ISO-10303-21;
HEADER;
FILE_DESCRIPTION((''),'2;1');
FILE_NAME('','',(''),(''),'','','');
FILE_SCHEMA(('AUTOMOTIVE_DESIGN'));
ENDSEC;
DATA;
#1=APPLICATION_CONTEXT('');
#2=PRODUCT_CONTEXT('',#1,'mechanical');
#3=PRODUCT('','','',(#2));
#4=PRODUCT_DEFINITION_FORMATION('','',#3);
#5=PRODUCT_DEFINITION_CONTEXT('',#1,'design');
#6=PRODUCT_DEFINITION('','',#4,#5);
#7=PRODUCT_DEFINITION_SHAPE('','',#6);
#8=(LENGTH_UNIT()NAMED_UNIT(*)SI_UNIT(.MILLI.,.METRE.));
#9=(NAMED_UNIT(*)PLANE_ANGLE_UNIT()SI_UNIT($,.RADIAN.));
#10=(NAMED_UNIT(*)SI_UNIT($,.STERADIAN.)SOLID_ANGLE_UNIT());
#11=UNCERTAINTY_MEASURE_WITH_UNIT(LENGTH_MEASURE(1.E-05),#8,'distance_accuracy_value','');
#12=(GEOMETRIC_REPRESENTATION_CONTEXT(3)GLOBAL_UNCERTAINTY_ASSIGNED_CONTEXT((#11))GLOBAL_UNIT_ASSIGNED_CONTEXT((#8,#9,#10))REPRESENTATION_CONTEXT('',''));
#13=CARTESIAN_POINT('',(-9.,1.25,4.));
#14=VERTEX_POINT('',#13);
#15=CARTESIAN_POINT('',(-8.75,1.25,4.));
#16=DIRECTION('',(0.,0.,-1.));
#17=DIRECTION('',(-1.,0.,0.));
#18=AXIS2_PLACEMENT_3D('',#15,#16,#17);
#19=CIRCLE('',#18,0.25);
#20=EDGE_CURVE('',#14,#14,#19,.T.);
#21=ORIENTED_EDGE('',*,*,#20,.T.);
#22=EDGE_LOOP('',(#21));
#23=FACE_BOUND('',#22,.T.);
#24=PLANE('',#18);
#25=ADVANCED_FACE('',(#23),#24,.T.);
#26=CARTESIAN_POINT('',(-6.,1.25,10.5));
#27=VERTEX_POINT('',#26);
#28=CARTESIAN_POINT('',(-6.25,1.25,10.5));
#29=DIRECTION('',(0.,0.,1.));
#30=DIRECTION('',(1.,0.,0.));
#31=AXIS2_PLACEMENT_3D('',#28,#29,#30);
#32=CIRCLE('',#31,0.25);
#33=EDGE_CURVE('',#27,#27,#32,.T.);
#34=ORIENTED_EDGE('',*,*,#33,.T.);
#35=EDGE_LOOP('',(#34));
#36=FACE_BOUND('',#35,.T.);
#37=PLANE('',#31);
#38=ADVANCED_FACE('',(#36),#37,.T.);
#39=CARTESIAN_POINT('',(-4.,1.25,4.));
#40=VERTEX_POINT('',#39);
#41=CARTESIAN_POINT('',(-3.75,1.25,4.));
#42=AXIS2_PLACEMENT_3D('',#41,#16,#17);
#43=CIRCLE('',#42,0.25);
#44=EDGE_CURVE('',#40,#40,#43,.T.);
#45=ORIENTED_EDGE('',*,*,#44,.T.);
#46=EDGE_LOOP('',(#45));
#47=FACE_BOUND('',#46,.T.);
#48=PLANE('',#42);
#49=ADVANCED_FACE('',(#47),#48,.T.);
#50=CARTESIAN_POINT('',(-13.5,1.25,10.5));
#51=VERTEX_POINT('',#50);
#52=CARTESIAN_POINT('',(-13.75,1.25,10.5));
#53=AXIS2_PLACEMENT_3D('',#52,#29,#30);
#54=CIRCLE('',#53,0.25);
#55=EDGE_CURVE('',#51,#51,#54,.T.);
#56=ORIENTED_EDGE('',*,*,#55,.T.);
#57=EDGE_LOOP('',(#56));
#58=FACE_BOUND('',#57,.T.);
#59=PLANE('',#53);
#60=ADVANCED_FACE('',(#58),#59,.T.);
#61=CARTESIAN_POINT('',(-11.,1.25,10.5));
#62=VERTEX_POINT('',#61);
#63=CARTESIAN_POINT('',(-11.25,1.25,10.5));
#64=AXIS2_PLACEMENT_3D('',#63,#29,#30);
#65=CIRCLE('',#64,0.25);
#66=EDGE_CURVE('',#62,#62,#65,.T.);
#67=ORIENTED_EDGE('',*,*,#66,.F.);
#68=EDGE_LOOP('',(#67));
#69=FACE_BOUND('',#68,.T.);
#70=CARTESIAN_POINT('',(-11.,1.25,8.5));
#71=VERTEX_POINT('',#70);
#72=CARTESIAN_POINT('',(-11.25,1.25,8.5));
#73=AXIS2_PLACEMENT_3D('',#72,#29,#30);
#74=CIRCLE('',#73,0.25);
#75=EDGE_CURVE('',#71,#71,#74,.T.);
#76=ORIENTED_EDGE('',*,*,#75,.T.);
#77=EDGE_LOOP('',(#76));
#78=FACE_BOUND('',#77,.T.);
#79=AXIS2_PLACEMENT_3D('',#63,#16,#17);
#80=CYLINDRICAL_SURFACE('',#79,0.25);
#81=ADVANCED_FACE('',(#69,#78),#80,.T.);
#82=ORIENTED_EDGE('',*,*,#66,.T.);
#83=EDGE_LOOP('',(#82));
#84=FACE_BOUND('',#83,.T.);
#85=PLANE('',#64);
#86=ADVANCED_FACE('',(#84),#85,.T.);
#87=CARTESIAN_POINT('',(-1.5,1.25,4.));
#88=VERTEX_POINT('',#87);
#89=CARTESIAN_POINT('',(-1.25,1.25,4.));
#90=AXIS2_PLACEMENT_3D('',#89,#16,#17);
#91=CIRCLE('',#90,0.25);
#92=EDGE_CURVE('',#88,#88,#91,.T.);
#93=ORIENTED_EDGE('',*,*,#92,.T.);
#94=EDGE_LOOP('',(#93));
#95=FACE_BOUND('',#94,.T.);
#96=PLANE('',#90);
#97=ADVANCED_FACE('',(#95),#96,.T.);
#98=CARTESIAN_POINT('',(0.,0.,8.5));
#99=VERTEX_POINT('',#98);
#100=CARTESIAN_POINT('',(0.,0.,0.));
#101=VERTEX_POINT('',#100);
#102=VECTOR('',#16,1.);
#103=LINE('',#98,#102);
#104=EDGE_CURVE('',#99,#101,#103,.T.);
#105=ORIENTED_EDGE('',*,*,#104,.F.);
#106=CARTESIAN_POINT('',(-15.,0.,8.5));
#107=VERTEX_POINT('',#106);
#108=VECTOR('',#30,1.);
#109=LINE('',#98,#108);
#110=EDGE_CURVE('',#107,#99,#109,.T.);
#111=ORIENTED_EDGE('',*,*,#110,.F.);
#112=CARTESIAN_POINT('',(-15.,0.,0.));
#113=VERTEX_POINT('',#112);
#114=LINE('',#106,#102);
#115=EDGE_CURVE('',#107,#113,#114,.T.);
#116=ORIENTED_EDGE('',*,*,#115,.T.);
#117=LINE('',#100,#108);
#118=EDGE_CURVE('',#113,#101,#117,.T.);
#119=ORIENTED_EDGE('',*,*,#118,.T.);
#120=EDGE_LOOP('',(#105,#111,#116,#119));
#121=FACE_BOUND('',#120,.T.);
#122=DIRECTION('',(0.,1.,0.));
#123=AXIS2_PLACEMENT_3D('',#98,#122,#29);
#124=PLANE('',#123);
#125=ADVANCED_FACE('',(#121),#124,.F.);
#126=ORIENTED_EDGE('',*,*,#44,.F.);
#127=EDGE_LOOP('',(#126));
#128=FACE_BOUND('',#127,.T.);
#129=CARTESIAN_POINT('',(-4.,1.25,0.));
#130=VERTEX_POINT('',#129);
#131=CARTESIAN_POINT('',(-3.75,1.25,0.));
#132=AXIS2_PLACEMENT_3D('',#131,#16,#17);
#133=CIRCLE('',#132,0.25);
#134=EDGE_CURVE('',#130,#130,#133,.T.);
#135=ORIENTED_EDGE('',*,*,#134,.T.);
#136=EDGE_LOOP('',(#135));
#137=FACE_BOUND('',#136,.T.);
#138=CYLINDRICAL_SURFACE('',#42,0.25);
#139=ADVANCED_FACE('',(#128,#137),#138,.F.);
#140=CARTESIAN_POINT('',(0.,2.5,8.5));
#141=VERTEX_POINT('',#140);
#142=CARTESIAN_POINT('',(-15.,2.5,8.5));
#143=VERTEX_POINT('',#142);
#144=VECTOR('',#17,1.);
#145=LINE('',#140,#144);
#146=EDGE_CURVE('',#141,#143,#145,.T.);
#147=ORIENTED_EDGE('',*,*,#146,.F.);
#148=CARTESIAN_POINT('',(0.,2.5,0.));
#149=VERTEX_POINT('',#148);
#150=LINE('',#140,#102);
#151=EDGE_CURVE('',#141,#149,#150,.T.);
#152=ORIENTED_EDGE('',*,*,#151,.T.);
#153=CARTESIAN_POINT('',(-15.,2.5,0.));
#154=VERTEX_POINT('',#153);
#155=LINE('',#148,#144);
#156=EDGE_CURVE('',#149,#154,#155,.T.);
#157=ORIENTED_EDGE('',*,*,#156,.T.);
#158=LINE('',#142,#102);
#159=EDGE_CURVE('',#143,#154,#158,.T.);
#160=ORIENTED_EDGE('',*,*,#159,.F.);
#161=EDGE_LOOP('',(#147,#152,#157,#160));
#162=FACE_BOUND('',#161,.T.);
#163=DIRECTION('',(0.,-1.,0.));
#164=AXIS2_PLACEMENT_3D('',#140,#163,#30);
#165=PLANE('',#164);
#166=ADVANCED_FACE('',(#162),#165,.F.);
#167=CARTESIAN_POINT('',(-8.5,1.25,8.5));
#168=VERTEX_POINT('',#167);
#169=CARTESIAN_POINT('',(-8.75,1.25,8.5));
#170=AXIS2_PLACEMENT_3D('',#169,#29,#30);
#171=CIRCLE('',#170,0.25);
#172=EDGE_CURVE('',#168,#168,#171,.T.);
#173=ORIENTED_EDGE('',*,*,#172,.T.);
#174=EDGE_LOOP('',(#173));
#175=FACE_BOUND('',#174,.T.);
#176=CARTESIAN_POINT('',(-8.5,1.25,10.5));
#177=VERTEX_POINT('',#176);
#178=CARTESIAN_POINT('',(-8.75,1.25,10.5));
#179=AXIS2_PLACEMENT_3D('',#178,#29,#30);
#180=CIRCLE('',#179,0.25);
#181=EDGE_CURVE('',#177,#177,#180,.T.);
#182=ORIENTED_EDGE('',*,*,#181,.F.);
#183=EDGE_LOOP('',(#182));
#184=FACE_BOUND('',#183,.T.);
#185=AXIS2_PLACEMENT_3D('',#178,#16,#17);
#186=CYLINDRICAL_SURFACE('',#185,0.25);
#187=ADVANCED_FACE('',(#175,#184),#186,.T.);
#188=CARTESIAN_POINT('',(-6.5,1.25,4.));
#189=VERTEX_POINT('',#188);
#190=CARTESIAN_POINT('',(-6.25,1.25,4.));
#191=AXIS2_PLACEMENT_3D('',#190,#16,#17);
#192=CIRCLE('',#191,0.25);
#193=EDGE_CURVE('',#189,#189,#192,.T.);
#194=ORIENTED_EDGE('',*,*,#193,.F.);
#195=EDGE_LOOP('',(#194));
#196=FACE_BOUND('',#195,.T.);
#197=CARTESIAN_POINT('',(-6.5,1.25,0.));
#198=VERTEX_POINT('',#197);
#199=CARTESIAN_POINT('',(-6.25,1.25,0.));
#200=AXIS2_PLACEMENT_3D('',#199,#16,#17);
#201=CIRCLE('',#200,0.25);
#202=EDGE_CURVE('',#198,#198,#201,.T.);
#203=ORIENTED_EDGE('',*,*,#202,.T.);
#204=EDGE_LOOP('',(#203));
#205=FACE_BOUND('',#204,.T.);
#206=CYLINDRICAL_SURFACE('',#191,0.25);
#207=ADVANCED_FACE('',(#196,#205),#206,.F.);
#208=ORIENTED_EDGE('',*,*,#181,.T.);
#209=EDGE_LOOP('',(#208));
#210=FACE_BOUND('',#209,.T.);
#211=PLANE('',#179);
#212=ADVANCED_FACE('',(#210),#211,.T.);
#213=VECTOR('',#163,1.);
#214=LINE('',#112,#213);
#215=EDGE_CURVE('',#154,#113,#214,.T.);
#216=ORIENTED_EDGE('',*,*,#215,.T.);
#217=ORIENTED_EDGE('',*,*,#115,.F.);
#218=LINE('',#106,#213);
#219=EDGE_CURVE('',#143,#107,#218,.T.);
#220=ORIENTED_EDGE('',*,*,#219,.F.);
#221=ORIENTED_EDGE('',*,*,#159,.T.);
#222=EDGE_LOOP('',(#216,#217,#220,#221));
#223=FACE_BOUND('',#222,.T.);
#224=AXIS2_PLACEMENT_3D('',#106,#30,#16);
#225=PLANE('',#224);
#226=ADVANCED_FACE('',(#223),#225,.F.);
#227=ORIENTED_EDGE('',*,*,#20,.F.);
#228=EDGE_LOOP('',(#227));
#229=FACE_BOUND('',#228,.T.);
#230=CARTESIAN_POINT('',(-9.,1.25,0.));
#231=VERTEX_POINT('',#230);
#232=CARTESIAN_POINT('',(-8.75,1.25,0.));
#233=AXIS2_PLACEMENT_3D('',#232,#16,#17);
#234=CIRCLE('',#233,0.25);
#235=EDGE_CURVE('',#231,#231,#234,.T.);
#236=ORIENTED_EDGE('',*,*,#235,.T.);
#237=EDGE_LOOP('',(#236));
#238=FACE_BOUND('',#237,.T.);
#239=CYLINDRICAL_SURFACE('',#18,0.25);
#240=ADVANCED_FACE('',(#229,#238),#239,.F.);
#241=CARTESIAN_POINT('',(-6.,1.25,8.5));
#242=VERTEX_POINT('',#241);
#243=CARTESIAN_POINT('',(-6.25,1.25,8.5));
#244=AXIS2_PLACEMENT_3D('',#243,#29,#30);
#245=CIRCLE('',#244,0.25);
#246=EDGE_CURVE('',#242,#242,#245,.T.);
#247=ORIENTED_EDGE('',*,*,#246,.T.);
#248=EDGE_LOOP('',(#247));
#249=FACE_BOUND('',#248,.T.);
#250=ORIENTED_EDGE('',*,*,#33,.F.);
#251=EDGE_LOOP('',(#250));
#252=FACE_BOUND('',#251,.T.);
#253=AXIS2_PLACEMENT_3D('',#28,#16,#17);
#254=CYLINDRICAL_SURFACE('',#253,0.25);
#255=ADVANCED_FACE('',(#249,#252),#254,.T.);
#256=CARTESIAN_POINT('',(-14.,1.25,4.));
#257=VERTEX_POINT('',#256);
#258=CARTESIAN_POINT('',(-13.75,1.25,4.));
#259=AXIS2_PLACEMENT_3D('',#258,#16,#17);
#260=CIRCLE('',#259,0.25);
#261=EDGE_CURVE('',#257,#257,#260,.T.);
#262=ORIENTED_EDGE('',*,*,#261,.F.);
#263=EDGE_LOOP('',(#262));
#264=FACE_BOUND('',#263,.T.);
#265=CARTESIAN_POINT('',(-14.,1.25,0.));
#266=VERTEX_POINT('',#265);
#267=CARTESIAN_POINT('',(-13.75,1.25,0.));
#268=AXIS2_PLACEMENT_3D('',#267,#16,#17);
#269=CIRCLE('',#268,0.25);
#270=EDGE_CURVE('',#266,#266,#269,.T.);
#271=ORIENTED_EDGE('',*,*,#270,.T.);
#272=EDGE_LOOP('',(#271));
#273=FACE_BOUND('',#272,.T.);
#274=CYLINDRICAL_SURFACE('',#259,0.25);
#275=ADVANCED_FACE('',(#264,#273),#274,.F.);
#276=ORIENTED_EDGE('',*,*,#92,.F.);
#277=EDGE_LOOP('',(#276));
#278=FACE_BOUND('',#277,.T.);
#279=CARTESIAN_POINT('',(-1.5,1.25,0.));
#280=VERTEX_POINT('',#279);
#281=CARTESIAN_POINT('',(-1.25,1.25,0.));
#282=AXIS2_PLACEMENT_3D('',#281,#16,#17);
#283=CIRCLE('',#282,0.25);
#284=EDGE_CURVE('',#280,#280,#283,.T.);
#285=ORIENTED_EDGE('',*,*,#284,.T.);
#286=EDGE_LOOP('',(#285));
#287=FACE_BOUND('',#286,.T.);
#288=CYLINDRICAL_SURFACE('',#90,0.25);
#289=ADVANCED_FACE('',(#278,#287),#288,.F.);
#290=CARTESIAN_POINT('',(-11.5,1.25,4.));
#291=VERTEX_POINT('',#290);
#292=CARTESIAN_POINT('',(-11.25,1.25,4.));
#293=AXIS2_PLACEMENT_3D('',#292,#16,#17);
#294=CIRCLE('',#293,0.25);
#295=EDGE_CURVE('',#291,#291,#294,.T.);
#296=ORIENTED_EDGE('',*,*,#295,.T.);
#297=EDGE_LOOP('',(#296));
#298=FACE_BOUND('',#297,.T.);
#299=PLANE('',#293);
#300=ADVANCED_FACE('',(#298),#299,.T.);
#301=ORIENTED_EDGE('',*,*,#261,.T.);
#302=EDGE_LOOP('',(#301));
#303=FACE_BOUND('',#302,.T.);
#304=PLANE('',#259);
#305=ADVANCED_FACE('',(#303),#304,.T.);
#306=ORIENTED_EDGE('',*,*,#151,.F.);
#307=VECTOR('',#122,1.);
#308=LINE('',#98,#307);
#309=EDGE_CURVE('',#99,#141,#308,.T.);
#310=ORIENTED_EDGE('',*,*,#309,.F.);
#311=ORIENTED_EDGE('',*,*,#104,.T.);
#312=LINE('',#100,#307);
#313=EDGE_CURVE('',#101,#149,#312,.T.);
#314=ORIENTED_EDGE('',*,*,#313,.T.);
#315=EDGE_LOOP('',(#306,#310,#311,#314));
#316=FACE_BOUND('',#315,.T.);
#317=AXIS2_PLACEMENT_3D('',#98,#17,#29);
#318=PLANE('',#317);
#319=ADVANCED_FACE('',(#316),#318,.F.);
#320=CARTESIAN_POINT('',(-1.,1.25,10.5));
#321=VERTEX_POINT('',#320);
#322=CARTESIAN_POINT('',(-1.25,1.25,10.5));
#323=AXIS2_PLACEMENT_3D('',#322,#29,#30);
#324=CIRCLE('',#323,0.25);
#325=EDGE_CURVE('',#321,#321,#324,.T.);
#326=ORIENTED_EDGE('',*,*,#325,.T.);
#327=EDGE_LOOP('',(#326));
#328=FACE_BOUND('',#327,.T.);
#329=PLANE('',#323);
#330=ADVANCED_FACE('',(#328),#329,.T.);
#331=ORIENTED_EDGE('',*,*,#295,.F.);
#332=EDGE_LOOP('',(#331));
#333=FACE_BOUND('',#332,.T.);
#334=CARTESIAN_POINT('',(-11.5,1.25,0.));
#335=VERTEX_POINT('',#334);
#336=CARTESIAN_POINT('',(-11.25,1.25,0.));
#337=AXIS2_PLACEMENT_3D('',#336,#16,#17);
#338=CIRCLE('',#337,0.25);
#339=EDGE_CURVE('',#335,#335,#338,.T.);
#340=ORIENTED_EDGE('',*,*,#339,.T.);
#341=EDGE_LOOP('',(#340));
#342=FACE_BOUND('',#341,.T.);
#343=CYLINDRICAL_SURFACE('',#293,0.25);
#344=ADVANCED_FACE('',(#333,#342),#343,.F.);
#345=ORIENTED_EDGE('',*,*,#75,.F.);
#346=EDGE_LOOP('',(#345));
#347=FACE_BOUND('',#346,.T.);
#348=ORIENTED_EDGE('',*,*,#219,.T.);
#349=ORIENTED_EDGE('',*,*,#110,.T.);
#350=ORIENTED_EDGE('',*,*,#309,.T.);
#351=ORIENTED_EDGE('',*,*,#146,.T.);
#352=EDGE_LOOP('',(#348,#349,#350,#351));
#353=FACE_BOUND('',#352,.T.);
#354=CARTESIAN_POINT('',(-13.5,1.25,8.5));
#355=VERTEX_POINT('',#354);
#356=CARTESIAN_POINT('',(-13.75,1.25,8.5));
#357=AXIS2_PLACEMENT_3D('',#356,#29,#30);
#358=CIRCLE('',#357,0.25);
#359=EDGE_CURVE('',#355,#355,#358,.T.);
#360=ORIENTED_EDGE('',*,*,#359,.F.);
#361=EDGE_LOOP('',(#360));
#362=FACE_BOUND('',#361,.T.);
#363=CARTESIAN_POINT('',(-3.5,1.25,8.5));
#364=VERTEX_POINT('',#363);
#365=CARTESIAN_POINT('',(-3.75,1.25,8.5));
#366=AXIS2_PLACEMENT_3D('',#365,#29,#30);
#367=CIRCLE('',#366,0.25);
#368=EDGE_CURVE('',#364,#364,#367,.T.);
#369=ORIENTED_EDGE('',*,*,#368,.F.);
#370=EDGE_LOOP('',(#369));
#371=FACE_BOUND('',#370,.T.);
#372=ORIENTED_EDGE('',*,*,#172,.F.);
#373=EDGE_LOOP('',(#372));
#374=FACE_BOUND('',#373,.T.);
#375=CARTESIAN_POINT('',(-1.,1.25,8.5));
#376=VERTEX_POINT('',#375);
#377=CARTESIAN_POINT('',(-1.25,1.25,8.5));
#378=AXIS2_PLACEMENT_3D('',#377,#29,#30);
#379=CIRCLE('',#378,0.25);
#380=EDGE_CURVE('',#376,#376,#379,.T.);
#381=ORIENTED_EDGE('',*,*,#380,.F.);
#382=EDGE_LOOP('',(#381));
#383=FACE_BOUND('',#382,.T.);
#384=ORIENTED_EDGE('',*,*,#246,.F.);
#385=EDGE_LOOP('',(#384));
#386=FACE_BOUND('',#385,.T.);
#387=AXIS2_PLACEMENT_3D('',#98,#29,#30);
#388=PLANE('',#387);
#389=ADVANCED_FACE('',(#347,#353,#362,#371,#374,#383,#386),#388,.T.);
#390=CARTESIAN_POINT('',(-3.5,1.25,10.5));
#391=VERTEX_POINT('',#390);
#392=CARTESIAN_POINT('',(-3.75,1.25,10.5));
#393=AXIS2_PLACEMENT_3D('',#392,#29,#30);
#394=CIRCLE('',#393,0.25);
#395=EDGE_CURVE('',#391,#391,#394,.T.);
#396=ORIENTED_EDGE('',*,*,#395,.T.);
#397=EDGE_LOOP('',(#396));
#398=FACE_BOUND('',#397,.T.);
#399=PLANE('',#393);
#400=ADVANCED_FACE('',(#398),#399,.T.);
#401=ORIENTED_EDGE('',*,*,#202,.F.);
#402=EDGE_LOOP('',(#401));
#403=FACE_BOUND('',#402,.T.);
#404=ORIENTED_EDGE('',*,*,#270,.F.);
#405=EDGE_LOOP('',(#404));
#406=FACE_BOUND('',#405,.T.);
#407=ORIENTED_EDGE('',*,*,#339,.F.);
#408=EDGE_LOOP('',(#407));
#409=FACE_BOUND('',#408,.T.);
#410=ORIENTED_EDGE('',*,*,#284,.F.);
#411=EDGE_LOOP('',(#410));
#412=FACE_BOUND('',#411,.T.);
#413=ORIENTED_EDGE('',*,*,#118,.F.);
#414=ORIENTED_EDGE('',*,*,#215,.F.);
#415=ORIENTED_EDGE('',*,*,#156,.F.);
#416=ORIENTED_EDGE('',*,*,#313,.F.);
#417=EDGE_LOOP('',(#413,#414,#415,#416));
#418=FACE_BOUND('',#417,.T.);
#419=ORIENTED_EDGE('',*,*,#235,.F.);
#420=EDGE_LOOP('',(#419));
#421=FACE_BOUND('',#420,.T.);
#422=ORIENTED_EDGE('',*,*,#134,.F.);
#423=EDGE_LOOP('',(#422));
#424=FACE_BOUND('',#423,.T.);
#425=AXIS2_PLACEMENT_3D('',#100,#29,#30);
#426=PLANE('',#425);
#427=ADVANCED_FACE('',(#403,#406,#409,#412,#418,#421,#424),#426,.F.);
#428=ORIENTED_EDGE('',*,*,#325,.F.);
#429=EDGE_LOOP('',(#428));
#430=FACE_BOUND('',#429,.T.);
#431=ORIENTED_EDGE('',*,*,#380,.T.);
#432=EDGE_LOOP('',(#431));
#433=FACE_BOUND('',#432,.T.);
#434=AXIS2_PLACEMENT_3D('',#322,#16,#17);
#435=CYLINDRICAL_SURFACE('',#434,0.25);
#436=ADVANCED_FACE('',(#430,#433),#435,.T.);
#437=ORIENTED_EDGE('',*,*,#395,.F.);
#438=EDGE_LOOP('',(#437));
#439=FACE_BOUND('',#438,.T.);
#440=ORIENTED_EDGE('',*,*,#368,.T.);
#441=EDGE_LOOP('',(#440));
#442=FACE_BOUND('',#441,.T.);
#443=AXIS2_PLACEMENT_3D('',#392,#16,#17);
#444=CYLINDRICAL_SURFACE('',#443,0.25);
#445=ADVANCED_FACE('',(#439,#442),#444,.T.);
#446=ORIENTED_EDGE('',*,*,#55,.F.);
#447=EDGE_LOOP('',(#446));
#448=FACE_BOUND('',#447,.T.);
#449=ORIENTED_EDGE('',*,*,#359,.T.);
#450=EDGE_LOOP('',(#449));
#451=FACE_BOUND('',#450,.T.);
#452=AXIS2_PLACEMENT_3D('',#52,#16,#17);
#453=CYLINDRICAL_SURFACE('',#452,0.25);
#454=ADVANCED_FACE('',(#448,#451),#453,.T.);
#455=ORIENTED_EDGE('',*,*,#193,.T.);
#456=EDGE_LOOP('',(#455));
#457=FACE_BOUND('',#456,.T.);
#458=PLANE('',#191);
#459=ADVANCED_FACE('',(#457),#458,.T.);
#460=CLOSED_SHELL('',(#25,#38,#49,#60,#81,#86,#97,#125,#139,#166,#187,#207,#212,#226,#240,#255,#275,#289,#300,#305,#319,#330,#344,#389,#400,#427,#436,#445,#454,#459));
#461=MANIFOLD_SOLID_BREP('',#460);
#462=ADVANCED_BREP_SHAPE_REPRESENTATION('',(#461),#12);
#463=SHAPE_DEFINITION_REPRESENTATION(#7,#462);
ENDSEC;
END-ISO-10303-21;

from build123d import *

# Parameters (mm, degrees)
ESQUISSE1_W                = 2.5
ESQUISSE1_H                = 2.5
BOSS_EXTRU_1_DEPTH         = 8.5
ESQUISSE2_R                = 0.25
BOSS_EXTRU_2_DEPTH         = 2
ESQUISSE3_R                = 0.25
ENL_V_MAT_EXTRU_2_DEPTH    = 4
R_P_TITION_LIN_AIRE1_COUNT = 6
R_P_TITION_LIN_AIRE1_PITCH = 2.5


with BuildPart() as part:
    # Esquisse1 → Boss.-Extru.1 (new body)
    with BuildSketch(Plane.XY):
        with Locations((-1.25, 1.25)):
            Rectangle(ESQUISSE1_W, ESQUISSE1_H)
    boss_extru_1 = extrude(amount=BOSS_EXTRU_1_DEPTH)

    # Esquisse2 → Boss.-Extru.2 (add)
    with BuildSketch(Plane.XY.offset(8.5)):
        with Locations((-1.25, 1.25)):
            Circle(ESQUISSE2_R)
    boss_extru_2 = extrude(amount=BOSS_EXTRU_2_DEPTH)

    # Esquisse3 → Enlèv. mat.-Extru.2 (cut)
    with BuildSketch(Plane(origin=(0, 0, 0), x_dir=(-1, 0, 0), z_dir=(0, 0, -1))):
        with Locations(Location((1.25, 1.25, 0), (0, 0, 180))):
            Circle(ESQUISSE3_R)
    enl_v_mat_extru_2 = extrude(amount=-ENL_V_MAT_EXTRU_2_DEPTH, mode=Mode.SUBTRACT)

    # Répétition linéaire1: Boss.-Extru.1, Boss.-Extru.2, Enlèv. mat.-Extru.2 ×6
    with Locations(*[(-i * R_P_TITION_LIN_AIRE1_PITCH, 0, 0) for i in range(1, R_P_TITION_LIN_AIRE1_COUNT)]):
        add(boss_extru_1)
        add(boss_extru_2)
        add(enl_v_mat_extru_2, mode=Mode.SUBTRACT)


solid = part.part
